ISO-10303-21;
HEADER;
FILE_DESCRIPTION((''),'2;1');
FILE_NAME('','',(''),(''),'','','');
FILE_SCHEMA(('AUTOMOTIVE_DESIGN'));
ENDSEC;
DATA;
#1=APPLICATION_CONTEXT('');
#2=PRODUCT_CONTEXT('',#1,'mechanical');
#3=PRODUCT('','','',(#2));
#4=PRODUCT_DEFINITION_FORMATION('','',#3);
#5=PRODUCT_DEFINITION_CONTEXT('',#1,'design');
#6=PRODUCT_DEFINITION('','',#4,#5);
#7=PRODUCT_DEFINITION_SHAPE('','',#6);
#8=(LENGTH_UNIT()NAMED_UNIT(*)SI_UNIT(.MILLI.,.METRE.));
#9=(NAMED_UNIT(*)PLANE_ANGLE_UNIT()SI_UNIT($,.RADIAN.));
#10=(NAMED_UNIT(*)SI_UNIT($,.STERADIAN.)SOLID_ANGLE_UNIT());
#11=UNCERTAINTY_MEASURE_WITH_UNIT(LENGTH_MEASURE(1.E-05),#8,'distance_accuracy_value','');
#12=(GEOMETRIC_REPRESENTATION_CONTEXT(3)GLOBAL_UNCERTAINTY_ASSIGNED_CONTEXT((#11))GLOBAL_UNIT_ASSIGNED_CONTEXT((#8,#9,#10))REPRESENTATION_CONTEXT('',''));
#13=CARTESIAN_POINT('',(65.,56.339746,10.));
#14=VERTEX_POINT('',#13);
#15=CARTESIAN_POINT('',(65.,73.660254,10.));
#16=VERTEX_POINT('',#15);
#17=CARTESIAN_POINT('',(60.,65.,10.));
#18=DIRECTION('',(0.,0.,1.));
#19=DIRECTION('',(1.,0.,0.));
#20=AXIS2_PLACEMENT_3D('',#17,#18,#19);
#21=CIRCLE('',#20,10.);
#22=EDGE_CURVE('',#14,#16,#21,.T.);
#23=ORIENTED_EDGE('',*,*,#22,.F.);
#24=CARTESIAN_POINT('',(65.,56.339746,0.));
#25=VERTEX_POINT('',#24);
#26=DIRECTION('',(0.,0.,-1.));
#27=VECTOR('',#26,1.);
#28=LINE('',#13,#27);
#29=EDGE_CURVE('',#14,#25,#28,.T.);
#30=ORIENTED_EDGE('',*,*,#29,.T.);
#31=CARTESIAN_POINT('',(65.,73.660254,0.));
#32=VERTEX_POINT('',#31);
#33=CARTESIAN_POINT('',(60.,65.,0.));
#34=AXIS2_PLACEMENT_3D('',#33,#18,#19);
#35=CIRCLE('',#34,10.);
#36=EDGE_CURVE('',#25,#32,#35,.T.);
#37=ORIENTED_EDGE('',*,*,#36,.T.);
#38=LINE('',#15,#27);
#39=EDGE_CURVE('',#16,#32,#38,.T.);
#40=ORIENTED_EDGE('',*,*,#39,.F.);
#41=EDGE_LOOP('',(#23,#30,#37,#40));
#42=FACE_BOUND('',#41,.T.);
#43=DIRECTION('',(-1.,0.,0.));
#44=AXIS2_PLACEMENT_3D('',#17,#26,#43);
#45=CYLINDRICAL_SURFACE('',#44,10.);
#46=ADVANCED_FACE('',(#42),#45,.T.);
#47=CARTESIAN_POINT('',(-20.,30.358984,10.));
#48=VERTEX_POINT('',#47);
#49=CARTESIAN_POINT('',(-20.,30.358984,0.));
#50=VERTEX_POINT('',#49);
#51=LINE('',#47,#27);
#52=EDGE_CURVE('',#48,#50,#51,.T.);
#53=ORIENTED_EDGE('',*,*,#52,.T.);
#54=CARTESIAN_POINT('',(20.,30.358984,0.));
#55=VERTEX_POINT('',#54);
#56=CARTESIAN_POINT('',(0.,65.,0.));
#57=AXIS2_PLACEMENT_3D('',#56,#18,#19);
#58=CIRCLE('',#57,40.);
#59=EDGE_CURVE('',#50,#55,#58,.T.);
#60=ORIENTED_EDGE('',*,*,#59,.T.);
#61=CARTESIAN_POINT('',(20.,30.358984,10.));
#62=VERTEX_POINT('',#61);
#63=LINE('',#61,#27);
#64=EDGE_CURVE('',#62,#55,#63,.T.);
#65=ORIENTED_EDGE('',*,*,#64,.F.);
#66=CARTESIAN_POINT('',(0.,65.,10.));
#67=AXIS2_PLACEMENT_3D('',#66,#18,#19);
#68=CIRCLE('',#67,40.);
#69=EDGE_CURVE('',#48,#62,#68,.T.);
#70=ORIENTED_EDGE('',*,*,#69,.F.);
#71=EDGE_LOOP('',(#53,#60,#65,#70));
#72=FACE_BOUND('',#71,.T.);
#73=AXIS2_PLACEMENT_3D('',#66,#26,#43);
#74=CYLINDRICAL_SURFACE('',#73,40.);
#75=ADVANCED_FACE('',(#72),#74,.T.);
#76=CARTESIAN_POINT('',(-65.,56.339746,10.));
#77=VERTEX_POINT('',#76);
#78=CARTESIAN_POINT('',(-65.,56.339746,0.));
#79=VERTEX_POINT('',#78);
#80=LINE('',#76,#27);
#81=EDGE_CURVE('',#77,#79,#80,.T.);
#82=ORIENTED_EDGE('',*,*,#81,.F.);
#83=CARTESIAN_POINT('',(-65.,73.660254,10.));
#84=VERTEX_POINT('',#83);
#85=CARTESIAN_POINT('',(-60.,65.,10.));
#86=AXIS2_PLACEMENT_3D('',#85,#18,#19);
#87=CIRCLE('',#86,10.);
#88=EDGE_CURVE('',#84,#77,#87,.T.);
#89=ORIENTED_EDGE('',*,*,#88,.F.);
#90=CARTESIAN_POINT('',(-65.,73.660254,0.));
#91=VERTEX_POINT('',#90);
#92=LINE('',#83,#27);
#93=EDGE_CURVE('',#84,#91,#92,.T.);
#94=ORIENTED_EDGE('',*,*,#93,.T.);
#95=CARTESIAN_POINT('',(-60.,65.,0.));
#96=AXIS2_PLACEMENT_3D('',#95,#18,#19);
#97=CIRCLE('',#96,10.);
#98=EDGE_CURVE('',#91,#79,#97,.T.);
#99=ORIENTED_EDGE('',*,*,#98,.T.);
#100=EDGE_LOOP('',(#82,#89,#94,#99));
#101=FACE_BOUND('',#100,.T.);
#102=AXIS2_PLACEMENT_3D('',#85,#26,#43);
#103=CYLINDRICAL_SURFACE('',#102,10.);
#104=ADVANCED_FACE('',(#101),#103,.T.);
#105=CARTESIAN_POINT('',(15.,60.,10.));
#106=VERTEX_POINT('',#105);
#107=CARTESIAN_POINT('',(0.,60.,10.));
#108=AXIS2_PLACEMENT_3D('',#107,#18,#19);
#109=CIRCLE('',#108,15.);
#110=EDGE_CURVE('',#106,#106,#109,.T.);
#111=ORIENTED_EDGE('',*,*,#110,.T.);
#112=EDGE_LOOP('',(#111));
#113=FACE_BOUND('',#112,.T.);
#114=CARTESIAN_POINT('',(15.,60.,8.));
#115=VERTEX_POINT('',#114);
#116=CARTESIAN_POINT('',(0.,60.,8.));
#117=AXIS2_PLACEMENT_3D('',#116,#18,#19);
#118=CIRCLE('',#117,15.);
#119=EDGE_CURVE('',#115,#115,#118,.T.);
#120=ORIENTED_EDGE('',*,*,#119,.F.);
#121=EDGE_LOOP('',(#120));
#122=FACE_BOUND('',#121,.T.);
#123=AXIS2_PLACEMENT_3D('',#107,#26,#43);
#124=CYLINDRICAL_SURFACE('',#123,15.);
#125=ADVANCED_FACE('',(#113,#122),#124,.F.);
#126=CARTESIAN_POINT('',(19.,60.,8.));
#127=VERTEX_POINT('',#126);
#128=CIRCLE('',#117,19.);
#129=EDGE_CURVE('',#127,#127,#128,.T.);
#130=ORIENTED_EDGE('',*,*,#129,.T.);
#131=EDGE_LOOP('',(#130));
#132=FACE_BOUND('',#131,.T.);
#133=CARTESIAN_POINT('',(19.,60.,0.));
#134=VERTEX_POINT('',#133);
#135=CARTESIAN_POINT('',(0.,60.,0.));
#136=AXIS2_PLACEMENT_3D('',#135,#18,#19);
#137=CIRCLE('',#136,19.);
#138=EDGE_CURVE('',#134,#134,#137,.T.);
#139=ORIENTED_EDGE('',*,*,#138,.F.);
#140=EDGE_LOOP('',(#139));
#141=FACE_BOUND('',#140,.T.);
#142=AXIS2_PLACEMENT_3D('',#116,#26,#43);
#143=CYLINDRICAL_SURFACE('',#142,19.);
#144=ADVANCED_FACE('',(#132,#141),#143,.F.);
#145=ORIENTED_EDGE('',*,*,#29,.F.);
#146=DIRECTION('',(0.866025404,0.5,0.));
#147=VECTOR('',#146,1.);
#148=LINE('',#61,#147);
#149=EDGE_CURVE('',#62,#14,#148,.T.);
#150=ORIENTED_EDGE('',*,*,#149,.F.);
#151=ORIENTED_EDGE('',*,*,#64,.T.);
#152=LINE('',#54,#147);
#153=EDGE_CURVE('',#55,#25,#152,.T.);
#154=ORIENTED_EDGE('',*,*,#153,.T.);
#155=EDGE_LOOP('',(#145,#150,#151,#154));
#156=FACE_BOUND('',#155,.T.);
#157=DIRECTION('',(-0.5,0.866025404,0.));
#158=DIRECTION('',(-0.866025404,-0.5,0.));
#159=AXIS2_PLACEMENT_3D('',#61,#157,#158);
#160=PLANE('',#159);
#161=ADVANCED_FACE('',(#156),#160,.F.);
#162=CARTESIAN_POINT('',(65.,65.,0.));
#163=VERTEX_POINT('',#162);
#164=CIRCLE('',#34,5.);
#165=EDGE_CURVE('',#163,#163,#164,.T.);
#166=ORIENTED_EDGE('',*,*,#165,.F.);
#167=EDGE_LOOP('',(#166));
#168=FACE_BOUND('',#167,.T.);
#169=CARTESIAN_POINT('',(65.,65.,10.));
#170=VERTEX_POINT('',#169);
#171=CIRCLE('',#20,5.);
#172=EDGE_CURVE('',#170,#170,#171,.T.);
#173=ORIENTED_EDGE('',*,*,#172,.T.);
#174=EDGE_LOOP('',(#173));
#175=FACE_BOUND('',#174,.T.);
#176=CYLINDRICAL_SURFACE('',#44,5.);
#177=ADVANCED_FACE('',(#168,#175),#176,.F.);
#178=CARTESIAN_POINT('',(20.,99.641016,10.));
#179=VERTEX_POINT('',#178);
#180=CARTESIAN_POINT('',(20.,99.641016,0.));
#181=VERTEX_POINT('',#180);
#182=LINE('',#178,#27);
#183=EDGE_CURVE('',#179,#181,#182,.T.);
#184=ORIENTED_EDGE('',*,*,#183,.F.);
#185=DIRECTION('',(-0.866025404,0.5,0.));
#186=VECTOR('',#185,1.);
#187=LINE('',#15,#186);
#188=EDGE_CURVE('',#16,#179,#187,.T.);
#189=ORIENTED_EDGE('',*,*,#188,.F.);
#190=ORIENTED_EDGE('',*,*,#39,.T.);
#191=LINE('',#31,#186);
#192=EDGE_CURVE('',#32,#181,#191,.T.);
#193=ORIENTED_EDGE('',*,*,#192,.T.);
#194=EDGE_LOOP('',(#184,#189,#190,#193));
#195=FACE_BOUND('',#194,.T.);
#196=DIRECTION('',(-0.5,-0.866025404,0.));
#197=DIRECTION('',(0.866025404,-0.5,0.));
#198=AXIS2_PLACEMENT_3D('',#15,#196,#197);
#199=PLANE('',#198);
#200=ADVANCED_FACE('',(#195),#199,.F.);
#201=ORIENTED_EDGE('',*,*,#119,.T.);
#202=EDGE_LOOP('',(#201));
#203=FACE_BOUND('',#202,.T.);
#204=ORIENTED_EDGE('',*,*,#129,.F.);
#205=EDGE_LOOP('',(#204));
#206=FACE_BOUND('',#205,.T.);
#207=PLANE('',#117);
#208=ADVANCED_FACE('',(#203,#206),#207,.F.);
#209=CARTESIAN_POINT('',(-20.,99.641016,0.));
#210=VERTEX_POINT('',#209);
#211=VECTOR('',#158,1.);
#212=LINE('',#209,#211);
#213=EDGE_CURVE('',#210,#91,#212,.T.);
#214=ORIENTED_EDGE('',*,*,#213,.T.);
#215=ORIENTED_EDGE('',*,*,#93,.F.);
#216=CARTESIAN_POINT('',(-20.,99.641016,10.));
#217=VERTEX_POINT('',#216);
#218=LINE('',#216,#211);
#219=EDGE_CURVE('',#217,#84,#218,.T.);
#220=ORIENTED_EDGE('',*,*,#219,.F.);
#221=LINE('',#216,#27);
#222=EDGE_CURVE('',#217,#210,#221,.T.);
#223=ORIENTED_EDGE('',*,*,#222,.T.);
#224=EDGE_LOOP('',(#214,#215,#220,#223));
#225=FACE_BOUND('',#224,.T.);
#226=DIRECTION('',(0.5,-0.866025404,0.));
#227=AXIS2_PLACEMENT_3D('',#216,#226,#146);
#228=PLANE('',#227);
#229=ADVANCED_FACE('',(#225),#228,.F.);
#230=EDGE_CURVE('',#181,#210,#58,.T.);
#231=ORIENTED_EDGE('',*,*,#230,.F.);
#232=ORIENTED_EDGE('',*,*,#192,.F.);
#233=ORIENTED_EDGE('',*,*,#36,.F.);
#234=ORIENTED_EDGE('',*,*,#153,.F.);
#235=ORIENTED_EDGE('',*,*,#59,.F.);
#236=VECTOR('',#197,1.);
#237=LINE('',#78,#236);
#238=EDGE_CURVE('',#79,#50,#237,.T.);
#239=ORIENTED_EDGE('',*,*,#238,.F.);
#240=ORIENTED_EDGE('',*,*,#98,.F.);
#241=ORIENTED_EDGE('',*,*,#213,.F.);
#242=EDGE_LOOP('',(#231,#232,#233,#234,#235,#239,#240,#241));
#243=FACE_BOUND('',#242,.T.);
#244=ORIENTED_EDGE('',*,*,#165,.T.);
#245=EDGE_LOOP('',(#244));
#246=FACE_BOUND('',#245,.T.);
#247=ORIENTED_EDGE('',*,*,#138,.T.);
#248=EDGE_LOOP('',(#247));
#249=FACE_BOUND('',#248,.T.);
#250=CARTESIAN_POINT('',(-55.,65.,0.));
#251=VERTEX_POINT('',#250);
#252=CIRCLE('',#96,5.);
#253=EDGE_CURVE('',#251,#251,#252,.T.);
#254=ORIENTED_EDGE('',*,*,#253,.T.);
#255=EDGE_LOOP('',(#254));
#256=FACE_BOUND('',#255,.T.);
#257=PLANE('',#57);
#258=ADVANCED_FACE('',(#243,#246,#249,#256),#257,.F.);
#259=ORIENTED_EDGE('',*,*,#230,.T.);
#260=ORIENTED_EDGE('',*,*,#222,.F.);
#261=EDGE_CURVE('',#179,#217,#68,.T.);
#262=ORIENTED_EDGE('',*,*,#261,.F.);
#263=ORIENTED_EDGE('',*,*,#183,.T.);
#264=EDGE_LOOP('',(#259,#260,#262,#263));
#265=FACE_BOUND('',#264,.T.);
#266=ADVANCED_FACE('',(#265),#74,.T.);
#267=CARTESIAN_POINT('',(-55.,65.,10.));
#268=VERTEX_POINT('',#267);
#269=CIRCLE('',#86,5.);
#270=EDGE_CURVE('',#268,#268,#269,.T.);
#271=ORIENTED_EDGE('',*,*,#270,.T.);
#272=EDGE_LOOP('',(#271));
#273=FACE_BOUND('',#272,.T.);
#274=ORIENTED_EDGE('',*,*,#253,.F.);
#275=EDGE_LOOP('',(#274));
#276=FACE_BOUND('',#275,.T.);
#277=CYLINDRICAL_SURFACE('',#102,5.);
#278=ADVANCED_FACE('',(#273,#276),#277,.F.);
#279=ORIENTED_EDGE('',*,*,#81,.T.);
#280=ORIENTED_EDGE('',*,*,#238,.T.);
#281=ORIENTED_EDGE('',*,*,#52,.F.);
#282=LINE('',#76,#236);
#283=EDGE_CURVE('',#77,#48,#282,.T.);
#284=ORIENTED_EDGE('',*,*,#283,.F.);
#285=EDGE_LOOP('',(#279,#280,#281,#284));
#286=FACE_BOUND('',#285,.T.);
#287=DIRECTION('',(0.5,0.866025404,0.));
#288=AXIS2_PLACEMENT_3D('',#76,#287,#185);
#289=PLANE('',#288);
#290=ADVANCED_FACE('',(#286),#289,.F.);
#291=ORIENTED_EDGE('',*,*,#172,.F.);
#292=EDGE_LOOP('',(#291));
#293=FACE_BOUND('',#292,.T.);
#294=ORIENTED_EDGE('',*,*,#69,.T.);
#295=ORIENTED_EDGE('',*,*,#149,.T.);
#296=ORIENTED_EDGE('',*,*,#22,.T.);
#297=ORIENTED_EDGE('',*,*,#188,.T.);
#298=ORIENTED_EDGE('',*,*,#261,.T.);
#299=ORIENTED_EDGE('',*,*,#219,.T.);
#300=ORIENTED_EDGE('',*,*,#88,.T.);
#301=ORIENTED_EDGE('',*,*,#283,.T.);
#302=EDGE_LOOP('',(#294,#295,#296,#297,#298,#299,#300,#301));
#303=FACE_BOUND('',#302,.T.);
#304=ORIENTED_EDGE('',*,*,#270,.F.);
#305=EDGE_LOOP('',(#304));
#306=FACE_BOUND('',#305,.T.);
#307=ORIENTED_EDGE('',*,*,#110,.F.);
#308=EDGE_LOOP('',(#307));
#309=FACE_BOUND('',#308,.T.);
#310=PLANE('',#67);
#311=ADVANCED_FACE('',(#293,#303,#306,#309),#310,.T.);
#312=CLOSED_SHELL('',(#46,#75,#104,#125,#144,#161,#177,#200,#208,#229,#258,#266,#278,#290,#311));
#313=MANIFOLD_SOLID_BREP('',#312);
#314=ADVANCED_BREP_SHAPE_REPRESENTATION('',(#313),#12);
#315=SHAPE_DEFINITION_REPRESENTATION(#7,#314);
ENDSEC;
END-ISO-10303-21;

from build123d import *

# Parameters (mm, degrees)
BOSS_EXTRUDE1_DEPTH = 10
SKETCH1_3_R         = 15
SKETCH1_3_R_2       = 5
CUT_EXTRUDE1_DEPTH  = 10
SKETCH1_4_R         = 19
CUT_EXTRUDE2_DEPTH  = 8


with BuildPart() as part:
    # Sketch1 → Boss-Extrude1 (new body)
    with BuildSketch(Plane.XY):
        with BuildLine():
            Line((-20, 99.641016151), (-65, 73.660254038))
            ThreePointArc((-65, 73.660254038), (-70, 65), (-65, 56.339745962))
            Line((-65, 56.339745962), (-20, 30.358983849))
            ThreePointArc((-20, 30.358983849), (0, 25), (20, 30.358983849))
            Line((20, 30.358983849), (65, 56.339745962))
            ThreePointArc((65, 56.339745962), (70, 65), (65, 73.660254038))
            Line((65, 73.660254038), (20, 99.641016151))
            ThreePointArc((20, 99.641016151), (0, 105), (-20, 99.641016151))
        make_face()
    extrude(amount=BOSS_EXTRUDE1_DEPTH)

    # Sketch1<3> → Cut-Extrude1 (cut)
    with BuildSketch(Plane.XY):
        with Locations((0, 60)):
            Circle(SKETCH1_3_R)
        with Locations((-60, 65)):
            Circle(SKETCH1_3_R_2)
        with Locations((60, 65)):
            Circle(SKETCH1_3_R_2)
    extrude(amount=CUT_EXTRUDE1_DEPTH, mode=Mode.SUBTRACT)

    # Sketch1<4> → Cut-Extrude2 (cut)
    with BuildSketch(Plane.XY):
        with Locations((0, 60)):
            Circle(SKETCH1_4_R)
    extrude(amount=CUT_EXTRUDE2_DEPTH, mode=Mode.SUBTRACT)


solid = part.part
